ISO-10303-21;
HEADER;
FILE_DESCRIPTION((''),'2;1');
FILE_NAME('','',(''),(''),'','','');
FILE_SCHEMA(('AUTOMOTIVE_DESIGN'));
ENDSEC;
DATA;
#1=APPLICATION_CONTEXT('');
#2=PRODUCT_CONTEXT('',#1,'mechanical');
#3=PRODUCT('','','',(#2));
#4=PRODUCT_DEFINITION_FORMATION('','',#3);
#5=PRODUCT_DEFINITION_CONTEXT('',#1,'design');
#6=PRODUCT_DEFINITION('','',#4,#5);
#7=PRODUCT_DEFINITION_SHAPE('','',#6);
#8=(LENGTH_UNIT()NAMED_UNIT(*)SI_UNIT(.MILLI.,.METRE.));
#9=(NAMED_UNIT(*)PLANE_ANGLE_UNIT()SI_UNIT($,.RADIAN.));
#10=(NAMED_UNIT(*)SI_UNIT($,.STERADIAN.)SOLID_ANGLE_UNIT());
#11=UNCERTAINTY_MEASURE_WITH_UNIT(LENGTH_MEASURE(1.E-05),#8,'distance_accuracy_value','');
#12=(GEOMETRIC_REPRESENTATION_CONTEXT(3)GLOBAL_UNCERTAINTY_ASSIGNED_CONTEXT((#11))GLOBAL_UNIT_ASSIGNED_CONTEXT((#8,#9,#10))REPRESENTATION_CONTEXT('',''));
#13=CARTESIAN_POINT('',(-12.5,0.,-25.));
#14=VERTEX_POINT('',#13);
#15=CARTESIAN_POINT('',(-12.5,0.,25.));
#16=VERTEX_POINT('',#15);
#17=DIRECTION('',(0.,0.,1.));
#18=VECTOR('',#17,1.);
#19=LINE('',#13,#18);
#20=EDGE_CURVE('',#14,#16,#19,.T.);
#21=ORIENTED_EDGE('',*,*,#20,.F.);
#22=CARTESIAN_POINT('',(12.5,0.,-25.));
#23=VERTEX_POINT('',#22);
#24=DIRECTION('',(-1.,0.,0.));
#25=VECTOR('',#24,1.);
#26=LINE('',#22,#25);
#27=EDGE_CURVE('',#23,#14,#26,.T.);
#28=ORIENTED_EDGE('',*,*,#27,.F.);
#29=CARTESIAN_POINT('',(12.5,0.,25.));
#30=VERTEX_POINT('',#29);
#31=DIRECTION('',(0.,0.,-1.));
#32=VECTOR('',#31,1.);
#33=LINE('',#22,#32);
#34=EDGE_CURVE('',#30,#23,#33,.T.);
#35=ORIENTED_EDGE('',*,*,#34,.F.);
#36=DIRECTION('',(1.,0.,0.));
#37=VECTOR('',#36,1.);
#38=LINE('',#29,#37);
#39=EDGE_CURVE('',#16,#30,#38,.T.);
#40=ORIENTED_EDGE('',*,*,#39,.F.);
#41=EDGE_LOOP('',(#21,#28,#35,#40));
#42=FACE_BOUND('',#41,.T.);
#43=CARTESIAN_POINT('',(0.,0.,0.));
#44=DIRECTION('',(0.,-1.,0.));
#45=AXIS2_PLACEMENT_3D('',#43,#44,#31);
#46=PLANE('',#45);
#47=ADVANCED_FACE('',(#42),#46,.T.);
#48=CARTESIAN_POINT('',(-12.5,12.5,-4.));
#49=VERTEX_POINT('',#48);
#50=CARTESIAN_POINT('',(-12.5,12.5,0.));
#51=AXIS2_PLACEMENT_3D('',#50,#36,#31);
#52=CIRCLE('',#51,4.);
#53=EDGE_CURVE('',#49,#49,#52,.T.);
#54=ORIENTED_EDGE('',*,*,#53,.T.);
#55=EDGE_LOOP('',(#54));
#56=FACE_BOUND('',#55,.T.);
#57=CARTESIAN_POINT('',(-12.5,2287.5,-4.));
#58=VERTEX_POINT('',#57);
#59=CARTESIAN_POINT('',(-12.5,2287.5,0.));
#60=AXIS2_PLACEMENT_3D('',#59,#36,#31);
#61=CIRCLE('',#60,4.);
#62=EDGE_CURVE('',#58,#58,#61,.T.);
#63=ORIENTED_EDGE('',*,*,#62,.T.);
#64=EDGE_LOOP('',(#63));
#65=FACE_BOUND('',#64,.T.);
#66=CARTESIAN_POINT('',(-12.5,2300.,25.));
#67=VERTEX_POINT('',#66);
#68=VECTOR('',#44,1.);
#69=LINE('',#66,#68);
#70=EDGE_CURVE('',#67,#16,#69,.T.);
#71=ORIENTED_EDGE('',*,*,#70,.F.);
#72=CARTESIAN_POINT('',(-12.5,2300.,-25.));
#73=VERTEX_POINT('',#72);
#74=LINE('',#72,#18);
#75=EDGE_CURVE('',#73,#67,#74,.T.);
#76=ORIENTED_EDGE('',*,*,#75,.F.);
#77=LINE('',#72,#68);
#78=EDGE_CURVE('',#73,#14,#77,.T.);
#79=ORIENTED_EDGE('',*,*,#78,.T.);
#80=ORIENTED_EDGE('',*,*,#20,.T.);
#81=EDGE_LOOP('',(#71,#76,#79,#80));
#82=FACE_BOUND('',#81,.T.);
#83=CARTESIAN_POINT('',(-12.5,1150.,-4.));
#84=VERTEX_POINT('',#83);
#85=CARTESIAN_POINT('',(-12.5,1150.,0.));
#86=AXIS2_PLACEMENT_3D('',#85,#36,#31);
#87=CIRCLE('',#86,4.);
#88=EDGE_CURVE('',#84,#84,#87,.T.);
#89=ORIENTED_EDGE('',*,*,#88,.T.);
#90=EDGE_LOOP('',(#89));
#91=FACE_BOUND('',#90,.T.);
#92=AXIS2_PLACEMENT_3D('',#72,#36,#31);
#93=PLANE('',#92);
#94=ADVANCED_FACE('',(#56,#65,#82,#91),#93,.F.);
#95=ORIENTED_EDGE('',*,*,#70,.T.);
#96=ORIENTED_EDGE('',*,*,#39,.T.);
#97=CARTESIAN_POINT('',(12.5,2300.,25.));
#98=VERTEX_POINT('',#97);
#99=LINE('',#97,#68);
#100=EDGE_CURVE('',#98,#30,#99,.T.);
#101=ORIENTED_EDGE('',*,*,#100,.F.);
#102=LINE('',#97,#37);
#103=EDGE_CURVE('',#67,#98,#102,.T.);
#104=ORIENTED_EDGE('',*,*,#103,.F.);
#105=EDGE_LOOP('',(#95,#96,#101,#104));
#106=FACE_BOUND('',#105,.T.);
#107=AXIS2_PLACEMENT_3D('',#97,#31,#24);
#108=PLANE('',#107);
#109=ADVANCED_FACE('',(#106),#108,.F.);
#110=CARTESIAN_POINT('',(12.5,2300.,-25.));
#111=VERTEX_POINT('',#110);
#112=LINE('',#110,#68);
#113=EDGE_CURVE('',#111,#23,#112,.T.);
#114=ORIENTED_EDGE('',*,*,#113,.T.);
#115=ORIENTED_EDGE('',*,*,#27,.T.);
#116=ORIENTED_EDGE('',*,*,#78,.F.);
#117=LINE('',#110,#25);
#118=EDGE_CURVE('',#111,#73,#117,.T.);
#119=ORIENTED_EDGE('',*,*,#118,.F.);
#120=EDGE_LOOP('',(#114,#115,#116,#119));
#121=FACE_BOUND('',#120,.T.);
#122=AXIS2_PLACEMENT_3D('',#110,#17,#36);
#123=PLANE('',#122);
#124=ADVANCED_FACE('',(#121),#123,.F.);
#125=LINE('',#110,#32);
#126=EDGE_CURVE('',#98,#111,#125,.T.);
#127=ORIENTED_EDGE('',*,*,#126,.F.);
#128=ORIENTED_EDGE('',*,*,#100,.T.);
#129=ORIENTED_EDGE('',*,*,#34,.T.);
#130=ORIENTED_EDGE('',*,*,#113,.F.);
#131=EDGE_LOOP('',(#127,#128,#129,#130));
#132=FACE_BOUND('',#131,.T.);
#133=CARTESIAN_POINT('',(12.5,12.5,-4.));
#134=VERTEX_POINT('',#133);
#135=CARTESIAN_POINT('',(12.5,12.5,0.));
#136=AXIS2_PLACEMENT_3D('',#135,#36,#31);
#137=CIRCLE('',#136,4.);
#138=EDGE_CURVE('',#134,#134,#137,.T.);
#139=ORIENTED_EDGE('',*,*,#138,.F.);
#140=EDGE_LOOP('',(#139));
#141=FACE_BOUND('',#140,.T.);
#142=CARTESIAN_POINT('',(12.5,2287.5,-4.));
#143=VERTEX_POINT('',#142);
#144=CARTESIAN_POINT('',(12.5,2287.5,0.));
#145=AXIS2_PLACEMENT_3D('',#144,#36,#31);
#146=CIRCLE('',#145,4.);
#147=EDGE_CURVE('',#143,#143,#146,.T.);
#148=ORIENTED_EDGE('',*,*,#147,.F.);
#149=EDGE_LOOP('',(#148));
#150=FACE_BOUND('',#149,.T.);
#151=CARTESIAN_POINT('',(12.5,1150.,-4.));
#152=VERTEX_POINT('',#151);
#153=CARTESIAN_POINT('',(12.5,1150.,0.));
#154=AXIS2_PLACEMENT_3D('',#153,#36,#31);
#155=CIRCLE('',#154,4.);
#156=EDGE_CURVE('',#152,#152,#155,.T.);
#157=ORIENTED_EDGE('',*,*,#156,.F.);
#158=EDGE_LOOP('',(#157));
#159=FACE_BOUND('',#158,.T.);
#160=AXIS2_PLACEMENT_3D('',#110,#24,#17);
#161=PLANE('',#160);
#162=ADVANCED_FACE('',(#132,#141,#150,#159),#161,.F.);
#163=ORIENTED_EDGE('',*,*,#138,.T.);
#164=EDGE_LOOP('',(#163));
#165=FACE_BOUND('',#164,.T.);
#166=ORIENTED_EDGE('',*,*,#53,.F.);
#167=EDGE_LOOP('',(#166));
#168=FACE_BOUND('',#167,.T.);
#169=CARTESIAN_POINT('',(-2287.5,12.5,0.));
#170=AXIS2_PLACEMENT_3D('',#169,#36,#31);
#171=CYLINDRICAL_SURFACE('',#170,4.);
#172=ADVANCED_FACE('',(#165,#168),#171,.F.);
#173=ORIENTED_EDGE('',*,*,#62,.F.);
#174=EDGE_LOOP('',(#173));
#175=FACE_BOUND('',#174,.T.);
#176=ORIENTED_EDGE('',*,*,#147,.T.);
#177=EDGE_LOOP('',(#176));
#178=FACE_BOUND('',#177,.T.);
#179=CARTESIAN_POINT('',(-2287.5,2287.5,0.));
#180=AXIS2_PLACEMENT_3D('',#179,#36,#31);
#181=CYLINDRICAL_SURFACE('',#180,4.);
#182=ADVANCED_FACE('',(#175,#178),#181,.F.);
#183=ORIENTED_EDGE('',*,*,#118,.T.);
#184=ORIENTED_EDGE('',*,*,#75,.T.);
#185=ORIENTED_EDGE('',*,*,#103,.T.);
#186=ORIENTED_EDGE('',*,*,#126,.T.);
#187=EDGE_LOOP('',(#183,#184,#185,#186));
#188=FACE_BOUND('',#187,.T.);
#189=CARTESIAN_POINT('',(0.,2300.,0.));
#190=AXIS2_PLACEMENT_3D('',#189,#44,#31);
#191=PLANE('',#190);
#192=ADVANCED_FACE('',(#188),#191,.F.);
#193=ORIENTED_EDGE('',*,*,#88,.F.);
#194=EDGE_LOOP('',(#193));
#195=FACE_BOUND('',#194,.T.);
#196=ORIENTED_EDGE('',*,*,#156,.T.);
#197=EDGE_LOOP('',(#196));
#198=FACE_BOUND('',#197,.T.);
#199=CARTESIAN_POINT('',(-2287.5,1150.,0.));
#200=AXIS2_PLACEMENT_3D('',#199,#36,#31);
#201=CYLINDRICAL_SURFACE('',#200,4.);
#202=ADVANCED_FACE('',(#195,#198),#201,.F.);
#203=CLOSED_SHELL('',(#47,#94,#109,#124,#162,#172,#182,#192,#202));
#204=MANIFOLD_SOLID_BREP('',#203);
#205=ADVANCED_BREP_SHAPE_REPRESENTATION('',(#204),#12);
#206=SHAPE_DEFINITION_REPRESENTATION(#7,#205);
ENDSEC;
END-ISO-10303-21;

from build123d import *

# Parameters (mm, degrees)
SKETCH_1_W          = 25
SKETCH_1_H          = 50
EXTRUDE_1_DEPTH     = 2300
SKETCH_2_R          = 4
CUT_EXTRUDE_1_DEPTH = 2300


with BuildPart() as part:
    # Эскиз1 → Бобышка-Вытянуть1 (new body)
    with BuildSketch(Plane(origin=(0, 0, 0), x_dir=(1, 0, 0), z_dir=(0, 1, 0))):
        Rectangle(SKETCH_1_W, SKETCH_1_H)
    extrude(amount=EXTRUDE_1_DEPTH)

    # Эскиз2 → Вырез-Вытянуть1 (cut)
    with BuildSketch(Plane(origin=(12.5, 0, 0), x_dir=(0, 0, -1), z_dir=(1, 0, 0))):
        with Locations((0, 1150)):
            Circle(SKETCH_2_R)
        with Locations((0, 2287.5)):
            Circle(SKETCH_2_R)
        with Locations((0, 12.5)):
            Circle(SKETCH_2_R)
    extrude(amount=-CUT_EXTRUDE_1_DEPTH, mode=Mode.SUBTRACT)


solid = part.part
